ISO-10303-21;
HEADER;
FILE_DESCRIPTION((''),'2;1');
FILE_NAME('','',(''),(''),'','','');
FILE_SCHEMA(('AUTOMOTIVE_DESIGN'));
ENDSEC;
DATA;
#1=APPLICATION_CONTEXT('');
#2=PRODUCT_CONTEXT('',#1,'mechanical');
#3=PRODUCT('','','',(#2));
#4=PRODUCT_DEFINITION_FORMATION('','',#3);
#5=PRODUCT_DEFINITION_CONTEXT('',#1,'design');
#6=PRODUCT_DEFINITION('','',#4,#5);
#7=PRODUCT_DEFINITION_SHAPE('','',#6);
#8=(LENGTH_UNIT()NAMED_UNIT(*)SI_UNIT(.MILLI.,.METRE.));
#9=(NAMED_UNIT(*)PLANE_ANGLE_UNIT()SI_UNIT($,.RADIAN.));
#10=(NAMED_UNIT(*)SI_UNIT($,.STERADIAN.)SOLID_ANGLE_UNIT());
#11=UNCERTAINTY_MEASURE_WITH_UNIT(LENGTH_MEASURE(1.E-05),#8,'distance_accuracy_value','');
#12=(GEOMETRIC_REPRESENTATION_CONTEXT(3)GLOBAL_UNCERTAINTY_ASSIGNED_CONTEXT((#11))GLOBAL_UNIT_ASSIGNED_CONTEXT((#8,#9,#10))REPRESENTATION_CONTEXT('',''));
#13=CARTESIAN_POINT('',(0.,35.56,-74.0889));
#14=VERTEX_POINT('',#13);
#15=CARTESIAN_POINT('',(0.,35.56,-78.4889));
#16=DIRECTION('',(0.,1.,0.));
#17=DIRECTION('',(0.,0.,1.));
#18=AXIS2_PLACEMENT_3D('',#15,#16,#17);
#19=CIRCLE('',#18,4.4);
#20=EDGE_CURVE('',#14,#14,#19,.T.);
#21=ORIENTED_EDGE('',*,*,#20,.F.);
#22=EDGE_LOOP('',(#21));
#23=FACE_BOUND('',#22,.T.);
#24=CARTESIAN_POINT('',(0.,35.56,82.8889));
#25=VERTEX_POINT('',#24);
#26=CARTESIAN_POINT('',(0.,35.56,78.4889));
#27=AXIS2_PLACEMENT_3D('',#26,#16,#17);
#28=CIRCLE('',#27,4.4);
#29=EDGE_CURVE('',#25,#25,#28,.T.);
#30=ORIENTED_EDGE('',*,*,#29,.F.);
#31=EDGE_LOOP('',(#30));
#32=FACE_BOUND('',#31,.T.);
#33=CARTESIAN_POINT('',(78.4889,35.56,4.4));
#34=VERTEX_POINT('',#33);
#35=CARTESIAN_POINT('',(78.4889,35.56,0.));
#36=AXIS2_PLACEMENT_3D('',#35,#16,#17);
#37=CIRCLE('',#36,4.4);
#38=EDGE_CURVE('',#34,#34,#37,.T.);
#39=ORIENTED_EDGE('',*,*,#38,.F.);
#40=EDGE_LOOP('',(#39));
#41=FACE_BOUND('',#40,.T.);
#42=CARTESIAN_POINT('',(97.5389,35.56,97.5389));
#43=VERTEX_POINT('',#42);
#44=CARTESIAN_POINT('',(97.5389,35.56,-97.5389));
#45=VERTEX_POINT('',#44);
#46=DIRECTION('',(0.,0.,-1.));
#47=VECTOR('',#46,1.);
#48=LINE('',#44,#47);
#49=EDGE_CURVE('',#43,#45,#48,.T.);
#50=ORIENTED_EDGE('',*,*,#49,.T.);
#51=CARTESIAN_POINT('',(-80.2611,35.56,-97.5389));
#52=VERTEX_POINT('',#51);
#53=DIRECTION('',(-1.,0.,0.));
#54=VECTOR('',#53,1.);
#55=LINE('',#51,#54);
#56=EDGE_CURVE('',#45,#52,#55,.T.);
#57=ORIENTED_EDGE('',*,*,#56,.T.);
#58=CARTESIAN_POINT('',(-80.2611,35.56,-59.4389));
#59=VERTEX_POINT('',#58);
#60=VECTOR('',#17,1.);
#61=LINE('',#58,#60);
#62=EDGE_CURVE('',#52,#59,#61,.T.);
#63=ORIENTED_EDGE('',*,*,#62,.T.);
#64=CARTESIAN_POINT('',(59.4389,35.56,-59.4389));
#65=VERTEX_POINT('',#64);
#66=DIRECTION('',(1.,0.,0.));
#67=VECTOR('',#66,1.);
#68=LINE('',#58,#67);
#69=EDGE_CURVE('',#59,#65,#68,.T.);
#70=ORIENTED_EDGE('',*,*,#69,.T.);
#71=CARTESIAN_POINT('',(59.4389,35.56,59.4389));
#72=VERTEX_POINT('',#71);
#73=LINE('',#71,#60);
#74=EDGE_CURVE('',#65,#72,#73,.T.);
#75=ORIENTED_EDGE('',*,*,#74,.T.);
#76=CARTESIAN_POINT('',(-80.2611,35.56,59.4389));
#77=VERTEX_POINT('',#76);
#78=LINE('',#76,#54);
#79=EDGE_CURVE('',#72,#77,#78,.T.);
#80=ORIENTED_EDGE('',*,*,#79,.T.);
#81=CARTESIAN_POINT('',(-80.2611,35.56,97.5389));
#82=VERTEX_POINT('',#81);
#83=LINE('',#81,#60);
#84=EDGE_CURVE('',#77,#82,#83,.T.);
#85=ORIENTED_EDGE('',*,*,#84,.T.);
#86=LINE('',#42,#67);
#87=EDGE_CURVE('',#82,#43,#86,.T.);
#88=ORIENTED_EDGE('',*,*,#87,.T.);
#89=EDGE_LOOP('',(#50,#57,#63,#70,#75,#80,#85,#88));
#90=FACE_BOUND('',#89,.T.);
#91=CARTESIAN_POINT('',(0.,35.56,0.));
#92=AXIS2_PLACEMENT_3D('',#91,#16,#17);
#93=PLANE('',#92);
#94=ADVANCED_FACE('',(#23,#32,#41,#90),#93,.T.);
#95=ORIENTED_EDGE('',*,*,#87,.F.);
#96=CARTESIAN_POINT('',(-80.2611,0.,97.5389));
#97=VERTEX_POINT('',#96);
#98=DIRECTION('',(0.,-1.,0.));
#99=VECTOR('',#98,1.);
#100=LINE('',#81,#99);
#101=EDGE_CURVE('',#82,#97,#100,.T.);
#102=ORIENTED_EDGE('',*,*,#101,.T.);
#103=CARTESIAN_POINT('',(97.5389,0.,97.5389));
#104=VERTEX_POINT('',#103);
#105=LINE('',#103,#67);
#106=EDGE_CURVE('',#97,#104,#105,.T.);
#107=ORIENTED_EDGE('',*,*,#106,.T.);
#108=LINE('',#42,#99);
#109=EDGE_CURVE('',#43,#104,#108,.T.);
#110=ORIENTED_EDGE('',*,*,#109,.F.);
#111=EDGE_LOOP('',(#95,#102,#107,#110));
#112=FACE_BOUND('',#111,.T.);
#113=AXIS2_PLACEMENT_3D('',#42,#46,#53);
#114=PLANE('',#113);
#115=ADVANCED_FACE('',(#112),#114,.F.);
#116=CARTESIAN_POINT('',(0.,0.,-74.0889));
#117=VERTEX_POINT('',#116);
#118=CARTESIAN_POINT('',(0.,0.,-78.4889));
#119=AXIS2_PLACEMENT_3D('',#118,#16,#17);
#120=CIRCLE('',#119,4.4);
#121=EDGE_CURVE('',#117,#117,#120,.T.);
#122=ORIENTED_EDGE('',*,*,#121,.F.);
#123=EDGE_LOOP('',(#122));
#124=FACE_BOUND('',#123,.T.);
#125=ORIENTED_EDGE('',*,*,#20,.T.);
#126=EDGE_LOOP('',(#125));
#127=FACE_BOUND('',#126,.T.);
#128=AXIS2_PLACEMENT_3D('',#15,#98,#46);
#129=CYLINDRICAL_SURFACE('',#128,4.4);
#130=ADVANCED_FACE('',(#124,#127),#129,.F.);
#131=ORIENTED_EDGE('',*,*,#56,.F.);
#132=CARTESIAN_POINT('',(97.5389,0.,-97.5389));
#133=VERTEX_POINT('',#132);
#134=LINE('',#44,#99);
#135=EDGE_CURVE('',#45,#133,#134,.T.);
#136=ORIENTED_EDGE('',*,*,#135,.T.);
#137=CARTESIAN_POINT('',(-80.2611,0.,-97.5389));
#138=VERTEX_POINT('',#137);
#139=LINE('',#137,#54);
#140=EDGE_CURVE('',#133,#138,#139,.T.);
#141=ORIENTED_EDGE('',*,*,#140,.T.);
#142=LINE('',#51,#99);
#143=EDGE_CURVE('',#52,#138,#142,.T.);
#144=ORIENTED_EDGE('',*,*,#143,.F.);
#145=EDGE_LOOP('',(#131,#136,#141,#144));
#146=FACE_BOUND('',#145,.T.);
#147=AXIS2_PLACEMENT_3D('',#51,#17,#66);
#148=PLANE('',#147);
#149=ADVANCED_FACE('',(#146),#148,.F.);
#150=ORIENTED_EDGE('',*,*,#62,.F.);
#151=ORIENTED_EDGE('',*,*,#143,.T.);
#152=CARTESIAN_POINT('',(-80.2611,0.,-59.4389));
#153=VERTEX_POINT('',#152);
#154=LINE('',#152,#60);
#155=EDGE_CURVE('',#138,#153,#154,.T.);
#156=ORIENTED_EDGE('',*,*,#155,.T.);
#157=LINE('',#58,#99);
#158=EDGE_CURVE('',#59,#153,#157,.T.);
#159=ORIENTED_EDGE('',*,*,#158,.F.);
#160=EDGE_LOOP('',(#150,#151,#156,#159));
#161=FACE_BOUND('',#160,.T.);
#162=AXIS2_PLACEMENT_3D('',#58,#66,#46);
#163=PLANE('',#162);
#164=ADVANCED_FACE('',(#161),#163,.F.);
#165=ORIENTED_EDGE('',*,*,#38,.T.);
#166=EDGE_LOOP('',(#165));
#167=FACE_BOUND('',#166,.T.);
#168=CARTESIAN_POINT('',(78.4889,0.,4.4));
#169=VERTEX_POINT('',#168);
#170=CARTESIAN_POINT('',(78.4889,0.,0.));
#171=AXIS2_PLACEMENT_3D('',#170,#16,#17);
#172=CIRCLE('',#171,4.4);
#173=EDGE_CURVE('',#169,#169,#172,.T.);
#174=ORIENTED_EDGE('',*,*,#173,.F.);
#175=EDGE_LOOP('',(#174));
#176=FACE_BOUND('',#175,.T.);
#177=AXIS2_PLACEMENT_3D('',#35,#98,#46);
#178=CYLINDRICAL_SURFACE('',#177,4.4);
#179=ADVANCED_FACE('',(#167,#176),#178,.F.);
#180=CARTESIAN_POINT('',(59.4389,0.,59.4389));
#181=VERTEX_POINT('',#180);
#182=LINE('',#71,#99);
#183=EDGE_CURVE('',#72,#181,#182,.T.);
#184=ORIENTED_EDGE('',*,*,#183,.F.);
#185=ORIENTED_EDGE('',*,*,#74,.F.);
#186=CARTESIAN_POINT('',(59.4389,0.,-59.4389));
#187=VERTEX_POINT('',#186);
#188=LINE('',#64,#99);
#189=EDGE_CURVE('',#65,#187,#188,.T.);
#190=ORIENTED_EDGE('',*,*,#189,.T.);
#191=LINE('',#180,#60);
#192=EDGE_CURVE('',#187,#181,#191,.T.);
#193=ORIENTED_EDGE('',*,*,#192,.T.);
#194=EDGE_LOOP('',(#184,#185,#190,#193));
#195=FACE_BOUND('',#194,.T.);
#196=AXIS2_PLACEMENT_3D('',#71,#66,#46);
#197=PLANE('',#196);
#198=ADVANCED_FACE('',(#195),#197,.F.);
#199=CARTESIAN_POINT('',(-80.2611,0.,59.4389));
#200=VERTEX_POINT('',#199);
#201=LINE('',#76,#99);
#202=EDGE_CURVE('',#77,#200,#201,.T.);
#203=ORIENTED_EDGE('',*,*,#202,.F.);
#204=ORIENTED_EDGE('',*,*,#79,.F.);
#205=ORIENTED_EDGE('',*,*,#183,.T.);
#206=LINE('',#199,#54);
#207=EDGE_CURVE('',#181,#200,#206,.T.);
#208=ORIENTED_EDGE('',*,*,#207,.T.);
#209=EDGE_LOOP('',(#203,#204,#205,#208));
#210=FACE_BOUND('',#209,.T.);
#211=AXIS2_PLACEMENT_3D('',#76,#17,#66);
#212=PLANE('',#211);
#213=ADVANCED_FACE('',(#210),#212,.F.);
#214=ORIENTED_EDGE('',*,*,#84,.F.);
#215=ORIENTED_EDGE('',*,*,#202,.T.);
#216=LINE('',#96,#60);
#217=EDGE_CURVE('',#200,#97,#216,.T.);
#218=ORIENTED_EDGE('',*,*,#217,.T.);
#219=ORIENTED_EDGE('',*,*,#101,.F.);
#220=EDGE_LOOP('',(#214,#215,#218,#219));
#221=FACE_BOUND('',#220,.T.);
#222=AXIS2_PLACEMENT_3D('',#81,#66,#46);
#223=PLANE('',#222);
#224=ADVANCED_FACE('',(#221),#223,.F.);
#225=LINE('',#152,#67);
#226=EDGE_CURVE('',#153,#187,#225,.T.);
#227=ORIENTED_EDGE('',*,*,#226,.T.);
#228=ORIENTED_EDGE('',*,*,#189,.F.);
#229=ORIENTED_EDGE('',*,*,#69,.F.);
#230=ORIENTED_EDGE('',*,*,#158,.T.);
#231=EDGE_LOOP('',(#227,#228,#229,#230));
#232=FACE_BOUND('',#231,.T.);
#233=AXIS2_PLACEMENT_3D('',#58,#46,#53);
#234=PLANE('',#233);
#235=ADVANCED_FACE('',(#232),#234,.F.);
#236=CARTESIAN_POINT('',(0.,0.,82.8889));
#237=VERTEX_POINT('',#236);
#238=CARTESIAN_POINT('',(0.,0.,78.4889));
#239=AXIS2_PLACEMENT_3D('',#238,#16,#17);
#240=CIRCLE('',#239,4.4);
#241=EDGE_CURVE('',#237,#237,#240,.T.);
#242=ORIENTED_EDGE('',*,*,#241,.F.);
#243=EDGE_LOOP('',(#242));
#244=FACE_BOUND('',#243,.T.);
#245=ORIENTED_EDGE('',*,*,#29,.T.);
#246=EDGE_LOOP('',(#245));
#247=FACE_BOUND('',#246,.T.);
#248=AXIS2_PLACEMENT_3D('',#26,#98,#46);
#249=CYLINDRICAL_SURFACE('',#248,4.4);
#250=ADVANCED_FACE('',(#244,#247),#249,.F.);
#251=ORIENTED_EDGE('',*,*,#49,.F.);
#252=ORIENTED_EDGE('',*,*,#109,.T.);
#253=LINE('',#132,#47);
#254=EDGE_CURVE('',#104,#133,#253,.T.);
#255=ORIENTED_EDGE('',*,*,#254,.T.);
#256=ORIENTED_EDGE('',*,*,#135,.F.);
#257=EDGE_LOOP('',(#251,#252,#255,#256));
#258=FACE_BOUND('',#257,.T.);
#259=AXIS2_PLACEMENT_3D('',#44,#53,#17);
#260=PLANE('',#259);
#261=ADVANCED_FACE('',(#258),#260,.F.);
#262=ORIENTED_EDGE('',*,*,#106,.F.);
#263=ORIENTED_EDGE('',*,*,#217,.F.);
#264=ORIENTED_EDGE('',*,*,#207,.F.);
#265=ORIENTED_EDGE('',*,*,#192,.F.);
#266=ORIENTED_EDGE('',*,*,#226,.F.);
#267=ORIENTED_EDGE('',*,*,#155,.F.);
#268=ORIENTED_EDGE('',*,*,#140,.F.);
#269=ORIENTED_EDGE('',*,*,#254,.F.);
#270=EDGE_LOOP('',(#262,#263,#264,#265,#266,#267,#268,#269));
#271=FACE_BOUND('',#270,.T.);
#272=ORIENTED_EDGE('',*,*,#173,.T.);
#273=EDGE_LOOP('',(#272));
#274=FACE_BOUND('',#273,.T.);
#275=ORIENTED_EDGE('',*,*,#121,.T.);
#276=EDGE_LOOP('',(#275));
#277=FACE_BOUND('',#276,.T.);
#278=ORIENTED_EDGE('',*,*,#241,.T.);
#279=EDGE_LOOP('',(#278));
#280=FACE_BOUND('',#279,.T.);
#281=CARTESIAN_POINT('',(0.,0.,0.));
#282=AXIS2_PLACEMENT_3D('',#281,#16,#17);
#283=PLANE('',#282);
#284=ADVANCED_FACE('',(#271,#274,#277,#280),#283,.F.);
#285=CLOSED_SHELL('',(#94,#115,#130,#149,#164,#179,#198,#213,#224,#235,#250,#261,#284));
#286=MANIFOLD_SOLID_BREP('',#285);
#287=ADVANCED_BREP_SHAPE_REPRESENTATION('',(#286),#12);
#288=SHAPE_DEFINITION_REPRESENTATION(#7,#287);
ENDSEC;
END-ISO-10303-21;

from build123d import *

# Parameters (mm, degrees)
SKETCH1_R           = 4.399999963
BOSS_EXTRUDE1_DEPTH = 35.56


with BuildPart() as part:
    # Sketch1 → Boss-Extrude1 (new body)
    with BuildSketch(Plane(origin=(0, 0, 0), x_dir=(1, 0, 0), z_dir=(0, 1, 0))):
        Polygon((-80.261100082, 59.438899918), (-80.261100082, 97.538899918), (97.538899918, 97.538899918), (97.538899918, -97.538899918), (-80.261100082, -97.538899918), (-80.261100082, -59.438899918), (59.438899918, -59.438899918), (59.438899918, 59.438899918), align=None)
        with Locations((0, 78.488899918)):
            Circle(SKETCH1_R, mode=Mode.SUBTRACT)
        with Locations((0, -78.488899918)):
            Circle(SKETCH1_R, mode=Mode.SUBTRACT)
        with Locations((78.488899918, 0)):
            Circle(SKETCH1_R, mode=Mode.SUBTRACT)
    extrude(amount=BOSS_EXTRUDE1_DEPTH)


solid = part.part
